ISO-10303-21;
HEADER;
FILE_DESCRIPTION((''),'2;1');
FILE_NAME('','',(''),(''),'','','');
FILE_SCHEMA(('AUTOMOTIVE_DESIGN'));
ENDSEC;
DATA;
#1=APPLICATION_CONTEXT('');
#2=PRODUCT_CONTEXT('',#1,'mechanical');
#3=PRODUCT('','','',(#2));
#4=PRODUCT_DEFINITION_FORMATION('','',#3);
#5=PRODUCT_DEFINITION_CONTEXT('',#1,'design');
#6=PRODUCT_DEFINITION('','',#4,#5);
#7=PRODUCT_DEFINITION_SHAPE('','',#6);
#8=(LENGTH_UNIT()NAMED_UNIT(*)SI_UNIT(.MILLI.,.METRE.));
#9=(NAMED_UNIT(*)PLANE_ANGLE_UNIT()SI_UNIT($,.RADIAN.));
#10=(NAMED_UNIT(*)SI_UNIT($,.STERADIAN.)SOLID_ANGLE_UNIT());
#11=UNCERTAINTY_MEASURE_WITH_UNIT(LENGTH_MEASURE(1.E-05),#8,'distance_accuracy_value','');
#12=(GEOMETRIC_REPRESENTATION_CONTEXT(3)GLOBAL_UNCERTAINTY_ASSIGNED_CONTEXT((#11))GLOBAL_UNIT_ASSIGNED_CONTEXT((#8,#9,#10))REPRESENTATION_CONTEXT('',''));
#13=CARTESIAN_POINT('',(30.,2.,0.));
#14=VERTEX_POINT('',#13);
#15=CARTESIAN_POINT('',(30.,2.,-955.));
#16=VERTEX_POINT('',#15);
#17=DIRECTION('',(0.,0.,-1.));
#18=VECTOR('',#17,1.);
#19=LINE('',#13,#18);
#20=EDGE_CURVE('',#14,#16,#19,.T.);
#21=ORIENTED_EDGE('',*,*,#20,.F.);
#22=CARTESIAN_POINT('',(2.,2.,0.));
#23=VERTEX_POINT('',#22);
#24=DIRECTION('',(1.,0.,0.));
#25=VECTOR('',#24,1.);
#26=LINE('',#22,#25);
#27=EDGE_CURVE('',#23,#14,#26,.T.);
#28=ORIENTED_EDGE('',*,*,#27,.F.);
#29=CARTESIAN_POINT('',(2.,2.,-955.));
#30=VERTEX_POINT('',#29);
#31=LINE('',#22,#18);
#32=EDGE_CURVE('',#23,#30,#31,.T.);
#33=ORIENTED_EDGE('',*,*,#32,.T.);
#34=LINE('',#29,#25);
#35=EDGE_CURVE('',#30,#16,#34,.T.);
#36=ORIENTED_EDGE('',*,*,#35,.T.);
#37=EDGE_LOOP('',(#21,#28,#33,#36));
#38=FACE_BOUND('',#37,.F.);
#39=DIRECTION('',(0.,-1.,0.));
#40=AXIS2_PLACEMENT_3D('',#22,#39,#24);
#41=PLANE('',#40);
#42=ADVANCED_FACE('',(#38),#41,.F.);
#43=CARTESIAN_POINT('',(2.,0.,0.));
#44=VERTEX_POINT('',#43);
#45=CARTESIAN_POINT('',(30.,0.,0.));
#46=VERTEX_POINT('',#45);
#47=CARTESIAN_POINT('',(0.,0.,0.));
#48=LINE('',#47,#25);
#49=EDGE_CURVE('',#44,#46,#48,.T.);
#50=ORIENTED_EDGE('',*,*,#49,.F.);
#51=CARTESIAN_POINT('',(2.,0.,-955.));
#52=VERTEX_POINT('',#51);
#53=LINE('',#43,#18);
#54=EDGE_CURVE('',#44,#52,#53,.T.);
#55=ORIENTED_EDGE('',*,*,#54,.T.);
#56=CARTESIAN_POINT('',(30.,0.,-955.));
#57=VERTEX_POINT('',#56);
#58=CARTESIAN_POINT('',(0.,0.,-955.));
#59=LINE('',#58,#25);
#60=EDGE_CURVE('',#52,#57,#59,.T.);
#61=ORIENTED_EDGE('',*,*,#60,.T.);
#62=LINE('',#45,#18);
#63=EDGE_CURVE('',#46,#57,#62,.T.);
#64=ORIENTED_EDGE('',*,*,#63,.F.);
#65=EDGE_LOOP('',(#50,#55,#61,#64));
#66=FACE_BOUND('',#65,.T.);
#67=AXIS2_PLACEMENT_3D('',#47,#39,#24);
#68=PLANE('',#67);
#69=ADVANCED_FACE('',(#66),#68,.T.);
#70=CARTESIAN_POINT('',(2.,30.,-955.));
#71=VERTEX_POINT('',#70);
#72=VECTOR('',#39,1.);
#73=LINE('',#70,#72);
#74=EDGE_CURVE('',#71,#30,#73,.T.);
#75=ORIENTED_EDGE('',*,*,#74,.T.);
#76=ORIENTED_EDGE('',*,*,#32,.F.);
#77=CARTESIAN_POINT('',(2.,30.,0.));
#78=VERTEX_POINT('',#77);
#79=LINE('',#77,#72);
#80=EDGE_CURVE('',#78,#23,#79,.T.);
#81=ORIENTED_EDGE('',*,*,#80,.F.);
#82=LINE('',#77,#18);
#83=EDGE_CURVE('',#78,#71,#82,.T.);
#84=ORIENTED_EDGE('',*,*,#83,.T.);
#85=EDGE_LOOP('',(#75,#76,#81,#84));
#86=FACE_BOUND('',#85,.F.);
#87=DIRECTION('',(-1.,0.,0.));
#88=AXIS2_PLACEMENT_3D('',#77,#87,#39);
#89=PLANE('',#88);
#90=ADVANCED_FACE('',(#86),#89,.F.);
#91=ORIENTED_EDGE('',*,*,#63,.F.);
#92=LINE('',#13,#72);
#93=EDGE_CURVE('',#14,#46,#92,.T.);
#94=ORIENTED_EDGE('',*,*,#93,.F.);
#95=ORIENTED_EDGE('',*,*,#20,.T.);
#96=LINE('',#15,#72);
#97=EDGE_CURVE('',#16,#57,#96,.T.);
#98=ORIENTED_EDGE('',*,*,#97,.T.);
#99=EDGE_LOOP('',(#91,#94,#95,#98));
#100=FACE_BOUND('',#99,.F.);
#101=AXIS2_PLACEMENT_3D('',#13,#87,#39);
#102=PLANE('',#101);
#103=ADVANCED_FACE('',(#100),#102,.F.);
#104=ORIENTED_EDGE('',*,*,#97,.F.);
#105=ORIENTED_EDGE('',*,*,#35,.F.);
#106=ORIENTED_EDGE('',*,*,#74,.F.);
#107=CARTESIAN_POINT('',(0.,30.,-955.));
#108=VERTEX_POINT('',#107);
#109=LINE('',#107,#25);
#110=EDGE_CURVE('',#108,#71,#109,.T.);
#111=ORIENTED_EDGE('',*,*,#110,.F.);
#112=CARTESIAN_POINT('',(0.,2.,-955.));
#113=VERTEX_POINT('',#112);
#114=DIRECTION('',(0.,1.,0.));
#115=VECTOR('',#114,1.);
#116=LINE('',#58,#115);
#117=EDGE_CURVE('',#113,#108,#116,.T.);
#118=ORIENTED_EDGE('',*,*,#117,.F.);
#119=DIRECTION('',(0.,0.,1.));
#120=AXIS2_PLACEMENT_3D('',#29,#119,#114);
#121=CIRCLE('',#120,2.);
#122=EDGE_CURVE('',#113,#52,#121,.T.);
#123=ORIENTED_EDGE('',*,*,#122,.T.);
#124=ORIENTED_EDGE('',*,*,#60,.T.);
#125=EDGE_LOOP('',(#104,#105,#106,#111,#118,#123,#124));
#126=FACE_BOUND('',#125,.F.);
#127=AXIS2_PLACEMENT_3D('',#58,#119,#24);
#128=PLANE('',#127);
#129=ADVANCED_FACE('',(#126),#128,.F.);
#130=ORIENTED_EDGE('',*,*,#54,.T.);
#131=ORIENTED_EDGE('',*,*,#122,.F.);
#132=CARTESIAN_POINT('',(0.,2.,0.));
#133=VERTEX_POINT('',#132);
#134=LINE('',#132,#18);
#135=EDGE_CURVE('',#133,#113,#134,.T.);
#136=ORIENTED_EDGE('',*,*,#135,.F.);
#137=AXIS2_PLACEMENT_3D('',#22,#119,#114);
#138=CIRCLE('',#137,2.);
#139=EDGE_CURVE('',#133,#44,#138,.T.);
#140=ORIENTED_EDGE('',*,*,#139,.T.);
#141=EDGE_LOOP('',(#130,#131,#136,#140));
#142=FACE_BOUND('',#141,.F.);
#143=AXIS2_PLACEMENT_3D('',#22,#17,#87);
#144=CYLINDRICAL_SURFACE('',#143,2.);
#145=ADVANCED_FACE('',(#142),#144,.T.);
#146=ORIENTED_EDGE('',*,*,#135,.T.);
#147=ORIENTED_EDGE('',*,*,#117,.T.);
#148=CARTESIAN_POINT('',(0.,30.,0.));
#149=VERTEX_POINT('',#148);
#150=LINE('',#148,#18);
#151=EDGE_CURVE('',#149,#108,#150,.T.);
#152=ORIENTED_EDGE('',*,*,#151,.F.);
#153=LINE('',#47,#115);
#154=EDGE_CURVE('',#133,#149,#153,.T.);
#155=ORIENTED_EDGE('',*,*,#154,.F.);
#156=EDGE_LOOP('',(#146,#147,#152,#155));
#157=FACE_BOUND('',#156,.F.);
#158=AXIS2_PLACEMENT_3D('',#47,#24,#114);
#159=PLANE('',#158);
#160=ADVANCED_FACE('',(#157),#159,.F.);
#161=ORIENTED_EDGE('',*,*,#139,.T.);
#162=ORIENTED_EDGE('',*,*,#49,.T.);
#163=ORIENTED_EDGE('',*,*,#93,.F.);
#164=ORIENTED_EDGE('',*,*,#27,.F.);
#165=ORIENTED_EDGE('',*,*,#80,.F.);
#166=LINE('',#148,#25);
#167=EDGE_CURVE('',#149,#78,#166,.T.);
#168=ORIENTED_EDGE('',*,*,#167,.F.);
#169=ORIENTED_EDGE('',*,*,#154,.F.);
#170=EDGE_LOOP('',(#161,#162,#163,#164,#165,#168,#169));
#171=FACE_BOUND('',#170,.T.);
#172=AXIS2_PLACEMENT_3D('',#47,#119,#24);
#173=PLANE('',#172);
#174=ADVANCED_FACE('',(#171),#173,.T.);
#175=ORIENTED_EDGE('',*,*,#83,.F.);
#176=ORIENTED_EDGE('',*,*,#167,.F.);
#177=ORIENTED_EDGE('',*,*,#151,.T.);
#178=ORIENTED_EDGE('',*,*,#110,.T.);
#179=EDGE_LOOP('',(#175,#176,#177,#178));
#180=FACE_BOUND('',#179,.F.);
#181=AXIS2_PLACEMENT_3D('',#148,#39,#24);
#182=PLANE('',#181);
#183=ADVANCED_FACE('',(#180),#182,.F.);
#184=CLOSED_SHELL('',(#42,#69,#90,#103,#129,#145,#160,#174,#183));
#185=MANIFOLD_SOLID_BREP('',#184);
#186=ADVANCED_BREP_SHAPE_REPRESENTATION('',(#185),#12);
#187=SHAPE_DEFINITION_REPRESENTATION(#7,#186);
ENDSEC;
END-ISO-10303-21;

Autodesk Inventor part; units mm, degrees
ref_plane "YZ Plane" through (0, 0, 0) normal (1, 0, 0) x (0, 1, 0)
sketch "Sketch1" plane through (0, 0, 0) normal (0, 0, 1) x (1, 0, 0)
  line L0 (0, 0) -> (0, 30)
  line L1 (0, 0) -> (30, 0)
  line L2 (2, 30) -> (2, 2)
  line L3 (2, 2) -> (30, 2)
  line L4 (0, 30) -> (2, 30)
  line L5 (30, 2) -> (30, 0)
  dimension "d7" = 30
  dimension "d8" = 30
  dimension "d9" = 2
extrude "Extrusion1" add sketch "Sketch1" against normal blind 955
ref_plane "Work Plane1" through (2, 30, 0) normal (-0.7071, -0.7071, 0) x (0, 0, -1)
ref_plane "Work Plane2" through (0, 30, 0) normal (-0.7071, 0.7071, 0) x (0, 0, -1)
ref_plane "Work Plane3" through (30, 0, 0) normal (-0.7071, 0.7071, 0) x (0, 0, -1)
fillet "Fillet1" radius 2 1 edges at (0, 0, -477.5)
ref_plane "Work Plane4" through (15.0001, 14.9999, 0) normal (-0.7071, 0.7071, 0) x (0, 0, -1)
properties part number "Angulo en V"
